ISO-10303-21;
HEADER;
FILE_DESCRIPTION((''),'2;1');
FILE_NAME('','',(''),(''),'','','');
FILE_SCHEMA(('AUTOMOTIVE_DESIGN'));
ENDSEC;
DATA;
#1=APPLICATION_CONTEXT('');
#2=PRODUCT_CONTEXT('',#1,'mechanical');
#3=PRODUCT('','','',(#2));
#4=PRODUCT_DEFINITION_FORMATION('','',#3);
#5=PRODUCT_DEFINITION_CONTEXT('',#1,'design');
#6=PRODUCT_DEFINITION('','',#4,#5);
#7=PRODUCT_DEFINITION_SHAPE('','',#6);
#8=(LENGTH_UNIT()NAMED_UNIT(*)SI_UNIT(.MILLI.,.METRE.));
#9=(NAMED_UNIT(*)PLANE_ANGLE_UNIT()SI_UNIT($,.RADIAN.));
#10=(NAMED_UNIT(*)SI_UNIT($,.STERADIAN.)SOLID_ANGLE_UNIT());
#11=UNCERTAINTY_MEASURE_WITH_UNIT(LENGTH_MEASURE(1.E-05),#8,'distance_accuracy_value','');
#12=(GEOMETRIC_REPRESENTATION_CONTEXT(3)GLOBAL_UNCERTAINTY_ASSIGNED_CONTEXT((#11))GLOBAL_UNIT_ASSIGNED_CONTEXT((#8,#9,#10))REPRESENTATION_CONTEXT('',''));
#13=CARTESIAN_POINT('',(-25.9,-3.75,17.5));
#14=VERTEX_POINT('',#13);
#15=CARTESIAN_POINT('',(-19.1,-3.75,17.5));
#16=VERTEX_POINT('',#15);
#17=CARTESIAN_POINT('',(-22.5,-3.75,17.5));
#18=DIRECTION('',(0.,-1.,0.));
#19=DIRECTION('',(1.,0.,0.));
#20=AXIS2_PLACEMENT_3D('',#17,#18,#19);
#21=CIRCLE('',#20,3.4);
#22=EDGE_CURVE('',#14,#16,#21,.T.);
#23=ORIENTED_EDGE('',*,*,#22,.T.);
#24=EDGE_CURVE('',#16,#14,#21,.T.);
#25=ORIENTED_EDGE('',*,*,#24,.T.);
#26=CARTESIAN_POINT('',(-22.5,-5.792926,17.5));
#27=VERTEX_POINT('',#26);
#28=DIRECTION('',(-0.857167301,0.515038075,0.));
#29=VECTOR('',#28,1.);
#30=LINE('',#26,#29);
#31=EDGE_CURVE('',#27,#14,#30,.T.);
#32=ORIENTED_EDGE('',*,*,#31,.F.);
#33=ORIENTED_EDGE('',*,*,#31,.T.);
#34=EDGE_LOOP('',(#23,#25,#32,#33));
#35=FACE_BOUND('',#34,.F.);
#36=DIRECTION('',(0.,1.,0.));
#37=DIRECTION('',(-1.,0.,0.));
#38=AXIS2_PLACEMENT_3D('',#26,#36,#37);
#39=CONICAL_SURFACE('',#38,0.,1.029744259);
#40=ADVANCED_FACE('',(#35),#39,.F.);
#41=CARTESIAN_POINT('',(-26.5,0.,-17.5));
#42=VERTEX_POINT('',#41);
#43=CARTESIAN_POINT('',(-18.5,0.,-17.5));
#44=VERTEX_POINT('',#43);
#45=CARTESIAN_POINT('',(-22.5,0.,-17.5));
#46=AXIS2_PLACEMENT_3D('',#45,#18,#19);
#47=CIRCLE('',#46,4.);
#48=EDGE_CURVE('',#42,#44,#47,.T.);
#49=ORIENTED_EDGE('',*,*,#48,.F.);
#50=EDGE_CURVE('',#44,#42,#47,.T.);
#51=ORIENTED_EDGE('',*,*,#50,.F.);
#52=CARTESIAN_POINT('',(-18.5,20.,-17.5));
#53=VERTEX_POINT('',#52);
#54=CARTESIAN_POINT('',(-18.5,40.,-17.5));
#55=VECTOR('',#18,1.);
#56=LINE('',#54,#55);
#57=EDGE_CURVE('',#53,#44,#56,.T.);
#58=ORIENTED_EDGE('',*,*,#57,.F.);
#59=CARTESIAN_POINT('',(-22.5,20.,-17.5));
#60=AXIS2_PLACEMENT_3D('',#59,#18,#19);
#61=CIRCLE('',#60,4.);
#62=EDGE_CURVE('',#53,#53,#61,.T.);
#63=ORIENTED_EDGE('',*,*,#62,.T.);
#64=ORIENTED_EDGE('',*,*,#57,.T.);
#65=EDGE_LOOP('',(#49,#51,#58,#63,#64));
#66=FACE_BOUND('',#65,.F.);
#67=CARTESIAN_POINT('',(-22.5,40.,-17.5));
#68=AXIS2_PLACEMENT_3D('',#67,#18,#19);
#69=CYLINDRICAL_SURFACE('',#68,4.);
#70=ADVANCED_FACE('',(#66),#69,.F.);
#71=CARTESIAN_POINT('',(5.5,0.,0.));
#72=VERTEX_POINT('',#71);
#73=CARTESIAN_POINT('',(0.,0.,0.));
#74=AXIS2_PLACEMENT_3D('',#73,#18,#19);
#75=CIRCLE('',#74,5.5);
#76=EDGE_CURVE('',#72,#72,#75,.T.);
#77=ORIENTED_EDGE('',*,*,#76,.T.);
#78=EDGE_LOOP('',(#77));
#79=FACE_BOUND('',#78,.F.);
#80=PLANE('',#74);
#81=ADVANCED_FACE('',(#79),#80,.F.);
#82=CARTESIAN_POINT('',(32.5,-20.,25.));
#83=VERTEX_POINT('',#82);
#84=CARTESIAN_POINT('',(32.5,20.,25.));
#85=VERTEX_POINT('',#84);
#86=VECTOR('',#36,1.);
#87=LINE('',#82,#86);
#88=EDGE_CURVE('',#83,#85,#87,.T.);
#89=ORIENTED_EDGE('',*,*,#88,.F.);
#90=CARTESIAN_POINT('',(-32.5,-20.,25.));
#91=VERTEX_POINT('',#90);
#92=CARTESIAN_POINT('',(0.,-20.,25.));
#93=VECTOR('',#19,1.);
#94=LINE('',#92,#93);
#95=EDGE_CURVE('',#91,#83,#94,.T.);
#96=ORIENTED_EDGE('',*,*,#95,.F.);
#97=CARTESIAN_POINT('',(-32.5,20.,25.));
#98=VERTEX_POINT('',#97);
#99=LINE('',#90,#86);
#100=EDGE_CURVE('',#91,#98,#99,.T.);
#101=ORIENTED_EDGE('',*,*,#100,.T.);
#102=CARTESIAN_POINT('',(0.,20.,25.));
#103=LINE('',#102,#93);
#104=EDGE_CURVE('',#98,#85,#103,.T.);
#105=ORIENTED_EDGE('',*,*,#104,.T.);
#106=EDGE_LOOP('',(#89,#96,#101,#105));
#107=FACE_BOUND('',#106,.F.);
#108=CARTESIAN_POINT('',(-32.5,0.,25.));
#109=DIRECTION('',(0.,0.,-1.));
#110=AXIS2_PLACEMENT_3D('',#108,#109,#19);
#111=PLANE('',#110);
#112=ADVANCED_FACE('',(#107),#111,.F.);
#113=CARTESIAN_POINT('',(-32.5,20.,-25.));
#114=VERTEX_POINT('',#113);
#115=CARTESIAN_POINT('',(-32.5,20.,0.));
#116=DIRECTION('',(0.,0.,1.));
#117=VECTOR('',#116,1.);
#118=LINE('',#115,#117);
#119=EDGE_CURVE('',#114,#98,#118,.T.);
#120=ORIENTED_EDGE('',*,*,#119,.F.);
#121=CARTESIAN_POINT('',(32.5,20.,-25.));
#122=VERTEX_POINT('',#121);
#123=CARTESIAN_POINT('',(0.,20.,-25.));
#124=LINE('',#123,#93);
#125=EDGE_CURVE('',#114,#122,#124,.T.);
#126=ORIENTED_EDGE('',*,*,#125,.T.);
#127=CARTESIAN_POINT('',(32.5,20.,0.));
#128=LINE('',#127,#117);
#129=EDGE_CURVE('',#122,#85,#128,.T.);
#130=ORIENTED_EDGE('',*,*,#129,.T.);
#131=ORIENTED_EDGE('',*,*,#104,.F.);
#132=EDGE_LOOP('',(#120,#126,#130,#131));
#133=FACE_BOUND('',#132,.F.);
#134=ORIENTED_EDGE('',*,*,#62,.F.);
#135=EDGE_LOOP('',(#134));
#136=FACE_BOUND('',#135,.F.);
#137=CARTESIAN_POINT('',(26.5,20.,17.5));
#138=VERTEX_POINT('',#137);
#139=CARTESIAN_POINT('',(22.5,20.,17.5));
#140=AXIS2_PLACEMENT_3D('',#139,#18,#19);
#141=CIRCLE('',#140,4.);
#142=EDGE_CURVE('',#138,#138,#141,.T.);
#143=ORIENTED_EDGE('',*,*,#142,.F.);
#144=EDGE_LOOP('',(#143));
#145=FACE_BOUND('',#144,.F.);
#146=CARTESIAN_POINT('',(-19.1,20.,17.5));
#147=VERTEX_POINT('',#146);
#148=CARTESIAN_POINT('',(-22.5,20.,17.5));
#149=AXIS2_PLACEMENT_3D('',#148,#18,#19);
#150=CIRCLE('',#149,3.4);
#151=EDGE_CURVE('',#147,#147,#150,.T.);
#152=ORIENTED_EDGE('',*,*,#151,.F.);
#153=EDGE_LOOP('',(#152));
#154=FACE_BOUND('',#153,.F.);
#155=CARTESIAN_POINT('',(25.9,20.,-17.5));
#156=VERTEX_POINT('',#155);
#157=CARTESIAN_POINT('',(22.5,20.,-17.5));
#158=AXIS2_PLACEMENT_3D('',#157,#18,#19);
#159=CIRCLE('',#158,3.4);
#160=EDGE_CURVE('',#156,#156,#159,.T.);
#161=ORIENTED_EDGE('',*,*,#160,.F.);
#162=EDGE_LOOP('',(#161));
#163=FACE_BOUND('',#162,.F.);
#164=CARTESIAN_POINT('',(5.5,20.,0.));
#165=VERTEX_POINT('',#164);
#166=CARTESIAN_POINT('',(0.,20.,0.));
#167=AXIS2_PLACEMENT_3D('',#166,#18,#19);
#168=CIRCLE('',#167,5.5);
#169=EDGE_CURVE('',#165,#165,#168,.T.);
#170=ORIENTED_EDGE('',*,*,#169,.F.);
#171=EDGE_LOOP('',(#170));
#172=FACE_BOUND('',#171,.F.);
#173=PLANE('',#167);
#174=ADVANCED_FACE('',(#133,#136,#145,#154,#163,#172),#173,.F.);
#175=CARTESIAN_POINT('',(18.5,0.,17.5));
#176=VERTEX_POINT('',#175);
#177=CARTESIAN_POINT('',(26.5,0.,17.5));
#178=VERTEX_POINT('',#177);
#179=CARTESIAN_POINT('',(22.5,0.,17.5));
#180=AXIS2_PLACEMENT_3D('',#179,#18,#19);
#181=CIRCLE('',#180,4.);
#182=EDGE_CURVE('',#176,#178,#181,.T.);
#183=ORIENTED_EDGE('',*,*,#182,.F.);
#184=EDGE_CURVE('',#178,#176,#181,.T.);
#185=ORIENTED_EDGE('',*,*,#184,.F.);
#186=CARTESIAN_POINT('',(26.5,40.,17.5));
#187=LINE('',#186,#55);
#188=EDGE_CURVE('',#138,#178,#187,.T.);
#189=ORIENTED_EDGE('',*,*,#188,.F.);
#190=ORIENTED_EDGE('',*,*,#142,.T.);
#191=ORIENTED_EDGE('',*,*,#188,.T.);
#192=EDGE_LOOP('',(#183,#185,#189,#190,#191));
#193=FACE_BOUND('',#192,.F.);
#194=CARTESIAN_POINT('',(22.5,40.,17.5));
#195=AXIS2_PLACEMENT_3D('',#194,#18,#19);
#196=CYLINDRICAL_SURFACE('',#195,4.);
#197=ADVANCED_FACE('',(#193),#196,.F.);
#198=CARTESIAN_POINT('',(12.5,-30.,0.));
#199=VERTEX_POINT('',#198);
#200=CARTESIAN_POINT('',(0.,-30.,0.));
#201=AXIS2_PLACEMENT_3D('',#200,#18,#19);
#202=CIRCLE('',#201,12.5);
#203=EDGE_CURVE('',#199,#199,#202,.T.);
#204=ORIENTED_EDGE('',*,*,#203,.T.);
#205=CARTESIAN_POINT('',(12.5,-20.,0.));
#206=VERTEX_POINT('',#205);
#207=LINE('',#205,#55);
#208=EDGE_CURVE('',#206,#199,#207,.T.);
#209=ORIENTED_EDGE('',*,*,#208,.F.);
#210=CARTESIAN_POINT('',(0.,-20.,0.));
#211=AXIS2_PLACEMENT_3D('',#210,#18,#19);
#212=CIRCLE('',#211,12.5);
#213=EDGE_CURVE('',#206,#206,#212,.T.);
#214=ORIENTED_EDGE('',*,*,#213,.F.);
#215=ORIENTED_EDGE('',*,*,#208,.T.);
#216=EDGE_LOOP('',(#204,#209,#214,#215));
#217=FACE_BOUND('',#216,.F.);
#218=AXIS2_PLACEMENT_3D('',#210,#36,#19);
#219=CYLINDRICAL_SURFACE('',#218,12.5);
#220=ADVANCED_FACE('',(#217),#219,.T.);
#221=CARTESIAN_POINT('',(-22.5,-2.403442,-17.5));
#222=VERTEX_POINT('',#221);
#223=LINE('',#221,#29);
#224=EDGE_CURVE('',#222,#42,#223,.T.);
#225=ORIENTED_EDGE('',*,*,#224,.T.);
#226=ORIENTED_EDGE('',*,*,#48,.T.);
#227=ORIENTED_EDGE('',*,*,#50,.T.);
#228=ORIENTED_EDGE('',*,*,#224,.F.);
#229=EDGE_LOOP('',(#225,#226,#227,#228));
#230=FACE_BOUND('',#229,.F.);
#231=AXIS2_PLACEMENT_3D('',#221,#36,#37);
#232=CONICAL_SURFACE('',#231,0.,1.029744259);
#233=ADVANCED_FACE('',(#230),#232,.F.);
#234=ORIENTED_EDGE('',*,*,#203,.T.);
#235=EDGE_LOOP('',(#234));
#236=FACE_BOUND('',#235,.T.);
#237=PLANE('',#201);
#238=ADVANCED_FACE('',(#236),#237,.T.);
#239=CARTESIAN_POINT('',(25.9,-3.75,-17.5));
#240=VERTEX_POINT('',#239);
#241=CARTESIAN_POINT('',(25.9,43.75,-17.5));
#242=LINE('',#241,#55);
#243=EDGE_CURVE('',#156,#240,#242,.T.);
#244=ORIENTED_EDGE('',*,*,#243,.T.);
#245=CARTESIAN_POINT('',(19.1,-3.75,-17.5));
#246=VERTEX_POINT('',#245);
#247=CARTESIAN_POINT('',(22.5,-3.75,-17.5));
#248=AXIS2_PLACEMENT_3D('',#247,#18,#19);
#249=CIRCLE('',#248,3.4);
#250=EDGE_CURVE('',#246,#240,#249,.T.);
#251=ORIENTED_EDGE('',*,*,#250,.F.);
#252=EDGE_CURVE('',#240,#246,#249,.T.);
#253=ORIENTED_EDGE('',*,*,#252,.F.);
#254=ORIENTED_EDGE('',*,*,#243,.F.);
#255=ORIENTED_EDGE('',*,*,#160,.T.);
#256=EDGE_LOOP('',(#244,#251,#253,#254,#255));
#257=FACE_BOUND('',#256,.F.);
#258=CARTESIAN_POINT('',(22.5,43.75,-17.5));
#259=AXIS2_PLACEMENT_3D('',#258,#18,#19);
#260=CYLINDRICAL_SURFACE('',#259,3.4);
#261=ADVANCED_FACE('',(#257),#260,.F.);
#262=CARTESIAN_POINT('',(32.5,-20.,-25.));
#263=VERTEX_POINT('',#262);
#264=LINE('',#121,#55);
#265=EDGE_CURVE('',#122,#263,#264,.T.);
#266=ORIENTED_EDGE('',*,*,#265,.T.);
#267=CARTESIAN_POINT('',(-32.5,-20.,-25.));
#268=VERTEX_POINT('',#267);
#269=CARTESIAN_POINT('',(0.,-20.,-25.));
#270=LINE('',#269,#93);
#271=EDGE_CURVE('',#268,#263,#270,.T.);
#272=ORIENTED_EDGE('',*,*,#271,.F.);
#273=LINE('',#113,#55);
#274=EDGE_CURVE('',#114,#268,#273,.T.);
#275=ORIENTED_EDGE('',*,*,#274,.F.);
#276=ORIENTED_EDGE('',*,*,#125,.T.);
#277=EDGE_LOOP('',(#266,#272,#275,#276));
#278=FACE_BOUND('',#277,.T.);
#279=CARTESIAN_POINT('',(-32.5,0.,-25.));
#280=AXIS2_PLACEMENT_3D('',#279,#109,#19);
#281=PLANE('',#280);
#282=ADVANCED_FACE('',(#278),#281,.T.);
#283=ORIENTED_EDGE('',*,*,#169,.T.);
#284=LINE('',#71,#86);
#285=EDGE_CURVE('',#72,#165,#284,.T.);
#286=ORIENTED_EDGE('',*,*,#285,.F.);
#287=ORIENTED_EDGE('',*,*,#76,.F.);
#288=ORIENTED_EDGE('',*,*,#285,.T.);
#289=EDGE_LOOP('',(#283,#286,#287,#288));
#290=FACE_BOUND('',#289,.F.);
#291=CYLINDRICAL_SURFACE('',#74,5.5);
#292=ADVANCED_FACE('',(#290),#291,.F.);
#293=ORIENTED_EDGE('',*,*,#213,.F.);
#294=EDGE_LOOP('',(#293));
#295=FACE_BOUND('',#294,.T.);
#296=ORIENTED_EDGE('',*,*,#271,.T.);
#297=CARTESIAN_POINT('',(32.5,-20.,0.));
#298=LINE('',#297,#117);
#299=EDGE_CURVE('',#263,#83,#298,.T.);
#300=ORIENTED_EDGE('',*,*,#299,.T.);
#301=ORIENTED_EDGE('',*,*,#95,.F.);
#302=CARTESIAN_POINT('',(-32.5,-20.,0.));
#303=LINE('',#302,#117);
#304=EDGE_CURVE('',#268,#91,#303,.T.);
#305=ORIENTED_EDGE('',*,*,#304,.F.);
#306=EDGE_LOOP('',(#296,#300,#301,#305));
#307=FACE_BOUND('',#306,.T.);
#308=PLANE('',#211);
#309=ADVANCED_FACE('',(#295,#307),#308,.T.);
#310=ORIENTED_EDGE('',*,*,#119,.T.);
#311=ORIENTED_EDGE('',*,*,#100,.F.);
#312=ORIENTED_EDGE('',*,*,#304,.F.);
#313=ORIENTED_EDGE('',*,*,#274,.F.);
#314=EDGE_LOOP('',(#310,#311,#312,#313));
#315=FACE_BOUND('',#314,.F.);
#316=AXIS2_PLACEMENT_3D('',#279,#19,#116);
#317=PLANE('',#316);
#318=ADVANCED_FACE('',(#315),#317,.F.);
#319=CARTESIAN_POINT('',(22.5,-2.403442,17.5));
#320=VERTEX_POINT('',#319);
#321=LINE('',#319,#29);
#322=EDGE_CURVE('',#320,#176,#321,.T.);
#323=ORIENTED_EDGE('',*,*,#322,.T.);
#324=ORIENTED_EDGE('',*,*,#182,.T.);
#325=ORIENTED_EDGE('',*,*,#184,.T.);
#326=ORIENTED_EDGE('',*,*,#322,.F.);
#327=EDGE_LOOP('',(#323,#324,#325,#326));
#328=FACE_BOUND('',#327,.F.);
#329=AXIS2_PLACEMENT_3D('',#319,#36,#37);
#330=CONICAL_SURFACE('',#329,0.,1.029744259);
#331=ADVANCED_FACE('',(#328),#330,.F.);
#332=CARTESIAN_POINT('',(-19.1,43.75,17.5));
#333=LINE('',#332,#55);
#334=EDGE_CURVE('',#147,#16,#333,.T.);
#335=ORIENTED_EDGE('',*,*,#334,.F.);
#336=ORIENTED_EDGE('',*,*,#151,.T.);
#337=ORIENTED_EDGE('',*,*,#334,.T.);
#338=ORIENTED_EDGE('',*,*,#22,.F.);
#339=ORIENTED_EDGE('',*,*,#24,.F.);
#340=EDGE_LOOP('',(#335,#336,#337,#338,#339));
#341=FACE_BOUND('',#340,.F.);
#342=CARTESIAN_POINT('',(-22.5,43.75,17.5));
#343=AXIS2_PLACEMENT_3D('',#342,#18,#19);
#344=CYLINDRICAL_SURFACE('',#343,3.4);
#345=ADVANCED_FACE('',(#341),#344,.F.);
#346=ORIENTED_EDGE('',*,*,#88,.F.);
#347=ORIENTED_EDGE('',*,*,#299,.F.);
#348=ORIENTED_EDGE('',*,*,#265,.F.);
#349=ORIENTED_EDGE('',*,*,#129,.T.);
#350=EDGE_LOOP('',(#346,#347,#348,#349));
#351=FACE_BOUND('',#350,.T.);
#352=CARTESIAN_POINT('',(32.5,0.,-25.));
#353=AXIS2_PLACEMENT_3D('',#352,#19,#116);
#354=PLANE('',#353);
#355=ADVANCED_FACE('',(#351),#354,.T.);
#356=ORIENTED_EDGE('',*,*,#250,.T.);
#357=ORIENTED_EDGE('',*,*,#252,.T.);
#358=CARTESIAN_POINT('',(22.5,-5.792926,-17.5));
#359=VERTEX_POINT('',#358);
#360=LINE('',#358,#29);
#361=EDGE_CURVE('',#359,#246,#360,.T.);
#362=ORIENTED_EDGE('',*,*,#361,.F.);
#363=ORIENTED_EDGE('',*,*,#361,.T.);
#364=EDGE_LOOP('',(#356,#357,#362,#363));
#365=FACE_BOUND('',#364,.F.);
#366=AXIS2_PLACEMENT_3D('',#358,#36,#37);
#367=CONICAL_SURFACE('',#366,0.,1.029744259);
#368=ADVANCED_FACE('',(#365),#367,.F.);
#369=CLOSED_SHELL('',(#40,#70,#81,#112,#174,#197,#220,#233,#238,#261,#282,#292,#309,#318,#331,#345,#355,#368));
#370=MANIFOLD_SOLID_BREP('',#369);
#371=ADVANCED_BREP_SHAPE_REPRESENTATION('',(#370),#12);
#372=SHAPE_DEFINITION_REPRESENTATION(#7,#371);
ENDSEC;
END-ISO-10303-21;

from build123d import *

# Parameters (mm, degrees)
F0_W     = 65
F0_H     = 50
F1_DEPTH = 20
F2_R     = 12.5
F3_DEPTH = 10
F4_D     = 11
F4_DEPTH = 60
F4_TIP   = 3.3047334047
F6_D     = 6.8
F6_DEPTH = 23.75
F6_TIP   = 2.0429261047
F7_D     = 8
F7_DEPTH = 20
F7_TIP   = 2.4034424761


with BuildPart() as f1:
    # F0 (on Front) → F1 (new body, symmetric)
    with BuildSketch(Plane.XZ):
        Rectangle(F0_W, F0_H)
    extrude(amount=F1_DEPTH, both=True)

    # F2 (on face) → F3 (join)
    with BuildSketch(Plane.XZ.offset(20)):
        Circle(F2_R)
    extrude(amount=F3_DEPTH)

    # F4 (one way)
    with BuildSketch(Plane.XZ):
        with Locations((0, 0)):
            Circle(F4_D / 2)
    extrude(amount=-F4_DEPTH, mode=Mode.SUBTRACT)
    with Locations(Plane.XZ):
        with Locations((0, 0)):
            with Locations((0, 0, -(F4_DEPTH + F4_TIP / 2))):  # 118° drill point
                Cone(0, F4_D / 2, F4_TIP, mode=Mode.SUBTRACT)

    # F6
    with Locations(Plane(origin=(0, 20, 0), x_dir=(-1, 0, 0), z_dir=(0, 1, 0))):
        with Locations((-22.5, -17.5), (22.5, 17.5)):
            Hole(F6_D / 2, depth=F6_DEPTH)
            with Locations((0, 0, -(F6_DEPTH + F6_TIP / 2))):  # 118° drill point
                Cone(0, F6_D / 2, F6_TIP, mode=Mode.SUBTRACT)

    # F7
    with Locations(Plane(origin=(0, 20, 0), x_dir=(-1, 0, 0), z_dir=(0, 1, 0))):
        with Locations((-22.5, 17.5), (22.5, -17.5)):
            Hole(F7_D / 2, depth=F7_DEPTH)
            with Locations((0, 0, -(F7_DEPTH + F7_TIP / 2))):  # 118° drill point
                Cone(0, F7_D / 2, F7_TIP, mode=Mode.SUBTRACT)


solid = f1.part
